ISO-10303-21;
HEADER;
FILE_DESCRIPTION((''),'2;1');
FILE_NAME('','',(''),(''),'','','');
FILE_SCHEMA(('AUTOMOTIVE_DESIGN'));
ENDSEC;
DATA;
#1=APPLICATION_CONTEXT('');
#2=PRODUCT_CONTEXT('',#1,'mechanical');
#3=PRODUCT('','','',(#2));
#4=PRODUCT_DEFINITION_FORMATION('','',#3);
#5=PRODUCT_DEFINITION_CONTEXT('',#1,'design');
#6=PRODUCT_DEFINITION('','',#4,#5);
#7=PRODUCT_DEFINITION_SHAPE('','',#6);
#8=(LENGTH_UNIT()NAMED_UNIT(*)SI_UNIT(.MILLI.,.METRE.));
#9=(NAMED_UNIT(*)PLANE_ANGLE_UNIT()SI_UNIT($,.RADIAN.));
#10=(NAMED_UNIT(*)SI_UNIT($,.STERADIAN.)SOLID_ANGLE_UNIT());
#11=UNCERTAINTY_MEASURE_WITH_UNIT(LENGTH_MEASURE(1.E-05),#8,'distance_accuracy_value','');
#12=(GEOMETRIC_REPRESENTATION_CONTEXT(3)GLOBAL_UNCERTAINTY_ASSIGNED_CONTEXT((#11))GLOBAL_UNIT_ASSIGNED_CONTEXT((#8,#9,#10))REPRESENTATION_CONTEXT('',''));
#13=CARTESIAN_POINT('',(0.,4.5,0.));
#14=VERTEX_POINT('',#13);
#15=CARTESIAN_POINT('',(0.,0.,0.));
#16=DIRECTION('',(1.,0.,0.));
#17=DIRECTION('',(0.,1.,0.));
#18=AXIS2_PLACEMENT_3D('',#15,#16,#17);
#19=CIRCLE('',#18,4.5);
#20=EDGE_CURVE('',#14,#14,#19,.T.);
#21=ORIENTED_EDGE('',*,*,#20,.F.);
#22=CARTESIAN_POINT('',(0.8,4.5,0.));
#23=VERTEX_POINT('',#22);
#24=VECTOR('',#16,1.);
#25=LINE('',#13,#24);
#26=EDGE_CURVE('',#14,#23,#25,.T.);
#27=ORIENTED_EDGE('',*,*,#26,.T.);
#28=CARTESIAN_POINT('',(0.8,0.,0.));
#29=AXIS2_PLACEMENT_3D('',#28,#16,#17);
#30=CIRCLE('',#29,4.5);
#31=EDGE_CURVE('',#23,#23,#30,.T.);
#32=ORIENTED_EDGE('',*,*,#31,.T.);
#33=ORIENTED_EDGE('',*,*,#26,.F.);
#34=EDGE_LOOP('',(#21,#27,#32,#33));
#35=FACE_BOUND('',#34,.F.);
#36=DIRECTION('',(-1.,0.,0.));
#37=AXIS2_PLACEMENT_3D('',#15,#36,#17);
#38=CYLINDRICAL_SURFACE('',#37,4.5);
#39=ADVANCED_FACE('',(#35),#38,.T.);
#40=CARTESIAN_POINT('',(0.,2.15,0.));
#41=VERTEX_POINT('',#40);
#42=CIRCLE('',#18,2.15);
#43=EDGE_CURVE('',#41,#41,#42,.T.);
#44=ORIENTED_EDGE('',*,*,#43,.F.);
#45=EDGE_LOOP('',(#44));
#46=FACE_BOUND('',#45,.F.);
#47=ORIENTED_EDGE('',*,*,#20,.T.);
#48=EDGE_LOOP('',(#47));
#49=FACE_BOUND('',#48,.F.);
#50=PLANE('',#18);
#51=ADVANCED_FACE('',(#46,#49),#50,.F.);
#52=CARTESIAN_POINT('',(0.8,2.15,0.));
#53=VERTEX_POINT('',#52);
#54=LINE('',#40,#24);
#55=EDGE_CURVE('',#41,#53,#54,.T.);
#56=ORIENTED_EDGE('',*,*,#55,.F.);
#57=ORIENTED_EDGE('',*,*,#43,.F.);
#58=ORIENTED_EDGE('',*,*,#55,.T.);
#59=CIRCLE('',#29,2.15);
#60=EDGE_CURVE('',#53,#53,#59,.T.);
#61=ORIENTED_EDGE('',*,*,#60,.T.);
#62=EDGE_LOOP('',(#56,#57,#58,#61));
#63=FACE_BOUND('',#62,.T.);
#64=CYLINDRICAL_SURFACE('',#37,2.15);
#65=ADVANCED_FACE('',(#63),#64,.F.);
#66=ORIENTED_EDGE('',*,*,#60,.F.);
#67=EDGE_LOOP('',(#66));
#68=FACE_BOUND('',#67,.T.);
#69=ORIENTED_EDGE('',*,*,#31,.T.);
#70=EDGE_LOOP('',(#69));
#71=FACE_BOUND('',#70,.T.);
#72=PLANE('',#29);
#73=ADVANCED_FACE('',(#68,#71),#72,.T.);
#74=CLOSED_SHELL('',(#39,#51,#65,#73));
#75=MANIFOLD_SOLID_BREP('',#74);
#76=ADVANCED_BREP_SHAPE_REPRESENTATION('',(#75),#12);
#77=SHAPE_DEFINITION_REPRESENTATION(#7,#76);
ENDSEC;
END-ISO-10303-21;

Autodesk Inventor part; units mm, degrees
ref_plane "YZ Plane" through (0, 0, 0) normal (1, 0, 0) x (0, 1, 0)
ref_plane "XZ Plane" through (0, 0, 0) normal (0, 1, 0) x (-1, 0, 0)
sketch "Sketch" plane through (0, 0, 0) normal (1, 0, 0) x (0, 1, 0)
  circle A0 centre (0, 0) radius 4.5
  circle A1 centre (0, 0) radius 2.15
  dimension "d0" = 4.3
  dimension "d1" = 9
extrude "Body" add sketch "Sketch" along normal blind 0.8
ref_plane "Work Plane1" through (0, 0, 0) normal (0, 0, 1) x (1, 0, 0)
equation "\"d0\" = SD1"
equation "\"d1\" = SD2"
equation "\"d2\" = SD"
equation "\"SD1\" = 4.3"
equation "\"SD2\" = 9"
equation "\"SD\" = 0.8"
equation "\"NND\" = 4"
properties part number "DIN 125-2 - A 4,3" material "Steel, Mild"
